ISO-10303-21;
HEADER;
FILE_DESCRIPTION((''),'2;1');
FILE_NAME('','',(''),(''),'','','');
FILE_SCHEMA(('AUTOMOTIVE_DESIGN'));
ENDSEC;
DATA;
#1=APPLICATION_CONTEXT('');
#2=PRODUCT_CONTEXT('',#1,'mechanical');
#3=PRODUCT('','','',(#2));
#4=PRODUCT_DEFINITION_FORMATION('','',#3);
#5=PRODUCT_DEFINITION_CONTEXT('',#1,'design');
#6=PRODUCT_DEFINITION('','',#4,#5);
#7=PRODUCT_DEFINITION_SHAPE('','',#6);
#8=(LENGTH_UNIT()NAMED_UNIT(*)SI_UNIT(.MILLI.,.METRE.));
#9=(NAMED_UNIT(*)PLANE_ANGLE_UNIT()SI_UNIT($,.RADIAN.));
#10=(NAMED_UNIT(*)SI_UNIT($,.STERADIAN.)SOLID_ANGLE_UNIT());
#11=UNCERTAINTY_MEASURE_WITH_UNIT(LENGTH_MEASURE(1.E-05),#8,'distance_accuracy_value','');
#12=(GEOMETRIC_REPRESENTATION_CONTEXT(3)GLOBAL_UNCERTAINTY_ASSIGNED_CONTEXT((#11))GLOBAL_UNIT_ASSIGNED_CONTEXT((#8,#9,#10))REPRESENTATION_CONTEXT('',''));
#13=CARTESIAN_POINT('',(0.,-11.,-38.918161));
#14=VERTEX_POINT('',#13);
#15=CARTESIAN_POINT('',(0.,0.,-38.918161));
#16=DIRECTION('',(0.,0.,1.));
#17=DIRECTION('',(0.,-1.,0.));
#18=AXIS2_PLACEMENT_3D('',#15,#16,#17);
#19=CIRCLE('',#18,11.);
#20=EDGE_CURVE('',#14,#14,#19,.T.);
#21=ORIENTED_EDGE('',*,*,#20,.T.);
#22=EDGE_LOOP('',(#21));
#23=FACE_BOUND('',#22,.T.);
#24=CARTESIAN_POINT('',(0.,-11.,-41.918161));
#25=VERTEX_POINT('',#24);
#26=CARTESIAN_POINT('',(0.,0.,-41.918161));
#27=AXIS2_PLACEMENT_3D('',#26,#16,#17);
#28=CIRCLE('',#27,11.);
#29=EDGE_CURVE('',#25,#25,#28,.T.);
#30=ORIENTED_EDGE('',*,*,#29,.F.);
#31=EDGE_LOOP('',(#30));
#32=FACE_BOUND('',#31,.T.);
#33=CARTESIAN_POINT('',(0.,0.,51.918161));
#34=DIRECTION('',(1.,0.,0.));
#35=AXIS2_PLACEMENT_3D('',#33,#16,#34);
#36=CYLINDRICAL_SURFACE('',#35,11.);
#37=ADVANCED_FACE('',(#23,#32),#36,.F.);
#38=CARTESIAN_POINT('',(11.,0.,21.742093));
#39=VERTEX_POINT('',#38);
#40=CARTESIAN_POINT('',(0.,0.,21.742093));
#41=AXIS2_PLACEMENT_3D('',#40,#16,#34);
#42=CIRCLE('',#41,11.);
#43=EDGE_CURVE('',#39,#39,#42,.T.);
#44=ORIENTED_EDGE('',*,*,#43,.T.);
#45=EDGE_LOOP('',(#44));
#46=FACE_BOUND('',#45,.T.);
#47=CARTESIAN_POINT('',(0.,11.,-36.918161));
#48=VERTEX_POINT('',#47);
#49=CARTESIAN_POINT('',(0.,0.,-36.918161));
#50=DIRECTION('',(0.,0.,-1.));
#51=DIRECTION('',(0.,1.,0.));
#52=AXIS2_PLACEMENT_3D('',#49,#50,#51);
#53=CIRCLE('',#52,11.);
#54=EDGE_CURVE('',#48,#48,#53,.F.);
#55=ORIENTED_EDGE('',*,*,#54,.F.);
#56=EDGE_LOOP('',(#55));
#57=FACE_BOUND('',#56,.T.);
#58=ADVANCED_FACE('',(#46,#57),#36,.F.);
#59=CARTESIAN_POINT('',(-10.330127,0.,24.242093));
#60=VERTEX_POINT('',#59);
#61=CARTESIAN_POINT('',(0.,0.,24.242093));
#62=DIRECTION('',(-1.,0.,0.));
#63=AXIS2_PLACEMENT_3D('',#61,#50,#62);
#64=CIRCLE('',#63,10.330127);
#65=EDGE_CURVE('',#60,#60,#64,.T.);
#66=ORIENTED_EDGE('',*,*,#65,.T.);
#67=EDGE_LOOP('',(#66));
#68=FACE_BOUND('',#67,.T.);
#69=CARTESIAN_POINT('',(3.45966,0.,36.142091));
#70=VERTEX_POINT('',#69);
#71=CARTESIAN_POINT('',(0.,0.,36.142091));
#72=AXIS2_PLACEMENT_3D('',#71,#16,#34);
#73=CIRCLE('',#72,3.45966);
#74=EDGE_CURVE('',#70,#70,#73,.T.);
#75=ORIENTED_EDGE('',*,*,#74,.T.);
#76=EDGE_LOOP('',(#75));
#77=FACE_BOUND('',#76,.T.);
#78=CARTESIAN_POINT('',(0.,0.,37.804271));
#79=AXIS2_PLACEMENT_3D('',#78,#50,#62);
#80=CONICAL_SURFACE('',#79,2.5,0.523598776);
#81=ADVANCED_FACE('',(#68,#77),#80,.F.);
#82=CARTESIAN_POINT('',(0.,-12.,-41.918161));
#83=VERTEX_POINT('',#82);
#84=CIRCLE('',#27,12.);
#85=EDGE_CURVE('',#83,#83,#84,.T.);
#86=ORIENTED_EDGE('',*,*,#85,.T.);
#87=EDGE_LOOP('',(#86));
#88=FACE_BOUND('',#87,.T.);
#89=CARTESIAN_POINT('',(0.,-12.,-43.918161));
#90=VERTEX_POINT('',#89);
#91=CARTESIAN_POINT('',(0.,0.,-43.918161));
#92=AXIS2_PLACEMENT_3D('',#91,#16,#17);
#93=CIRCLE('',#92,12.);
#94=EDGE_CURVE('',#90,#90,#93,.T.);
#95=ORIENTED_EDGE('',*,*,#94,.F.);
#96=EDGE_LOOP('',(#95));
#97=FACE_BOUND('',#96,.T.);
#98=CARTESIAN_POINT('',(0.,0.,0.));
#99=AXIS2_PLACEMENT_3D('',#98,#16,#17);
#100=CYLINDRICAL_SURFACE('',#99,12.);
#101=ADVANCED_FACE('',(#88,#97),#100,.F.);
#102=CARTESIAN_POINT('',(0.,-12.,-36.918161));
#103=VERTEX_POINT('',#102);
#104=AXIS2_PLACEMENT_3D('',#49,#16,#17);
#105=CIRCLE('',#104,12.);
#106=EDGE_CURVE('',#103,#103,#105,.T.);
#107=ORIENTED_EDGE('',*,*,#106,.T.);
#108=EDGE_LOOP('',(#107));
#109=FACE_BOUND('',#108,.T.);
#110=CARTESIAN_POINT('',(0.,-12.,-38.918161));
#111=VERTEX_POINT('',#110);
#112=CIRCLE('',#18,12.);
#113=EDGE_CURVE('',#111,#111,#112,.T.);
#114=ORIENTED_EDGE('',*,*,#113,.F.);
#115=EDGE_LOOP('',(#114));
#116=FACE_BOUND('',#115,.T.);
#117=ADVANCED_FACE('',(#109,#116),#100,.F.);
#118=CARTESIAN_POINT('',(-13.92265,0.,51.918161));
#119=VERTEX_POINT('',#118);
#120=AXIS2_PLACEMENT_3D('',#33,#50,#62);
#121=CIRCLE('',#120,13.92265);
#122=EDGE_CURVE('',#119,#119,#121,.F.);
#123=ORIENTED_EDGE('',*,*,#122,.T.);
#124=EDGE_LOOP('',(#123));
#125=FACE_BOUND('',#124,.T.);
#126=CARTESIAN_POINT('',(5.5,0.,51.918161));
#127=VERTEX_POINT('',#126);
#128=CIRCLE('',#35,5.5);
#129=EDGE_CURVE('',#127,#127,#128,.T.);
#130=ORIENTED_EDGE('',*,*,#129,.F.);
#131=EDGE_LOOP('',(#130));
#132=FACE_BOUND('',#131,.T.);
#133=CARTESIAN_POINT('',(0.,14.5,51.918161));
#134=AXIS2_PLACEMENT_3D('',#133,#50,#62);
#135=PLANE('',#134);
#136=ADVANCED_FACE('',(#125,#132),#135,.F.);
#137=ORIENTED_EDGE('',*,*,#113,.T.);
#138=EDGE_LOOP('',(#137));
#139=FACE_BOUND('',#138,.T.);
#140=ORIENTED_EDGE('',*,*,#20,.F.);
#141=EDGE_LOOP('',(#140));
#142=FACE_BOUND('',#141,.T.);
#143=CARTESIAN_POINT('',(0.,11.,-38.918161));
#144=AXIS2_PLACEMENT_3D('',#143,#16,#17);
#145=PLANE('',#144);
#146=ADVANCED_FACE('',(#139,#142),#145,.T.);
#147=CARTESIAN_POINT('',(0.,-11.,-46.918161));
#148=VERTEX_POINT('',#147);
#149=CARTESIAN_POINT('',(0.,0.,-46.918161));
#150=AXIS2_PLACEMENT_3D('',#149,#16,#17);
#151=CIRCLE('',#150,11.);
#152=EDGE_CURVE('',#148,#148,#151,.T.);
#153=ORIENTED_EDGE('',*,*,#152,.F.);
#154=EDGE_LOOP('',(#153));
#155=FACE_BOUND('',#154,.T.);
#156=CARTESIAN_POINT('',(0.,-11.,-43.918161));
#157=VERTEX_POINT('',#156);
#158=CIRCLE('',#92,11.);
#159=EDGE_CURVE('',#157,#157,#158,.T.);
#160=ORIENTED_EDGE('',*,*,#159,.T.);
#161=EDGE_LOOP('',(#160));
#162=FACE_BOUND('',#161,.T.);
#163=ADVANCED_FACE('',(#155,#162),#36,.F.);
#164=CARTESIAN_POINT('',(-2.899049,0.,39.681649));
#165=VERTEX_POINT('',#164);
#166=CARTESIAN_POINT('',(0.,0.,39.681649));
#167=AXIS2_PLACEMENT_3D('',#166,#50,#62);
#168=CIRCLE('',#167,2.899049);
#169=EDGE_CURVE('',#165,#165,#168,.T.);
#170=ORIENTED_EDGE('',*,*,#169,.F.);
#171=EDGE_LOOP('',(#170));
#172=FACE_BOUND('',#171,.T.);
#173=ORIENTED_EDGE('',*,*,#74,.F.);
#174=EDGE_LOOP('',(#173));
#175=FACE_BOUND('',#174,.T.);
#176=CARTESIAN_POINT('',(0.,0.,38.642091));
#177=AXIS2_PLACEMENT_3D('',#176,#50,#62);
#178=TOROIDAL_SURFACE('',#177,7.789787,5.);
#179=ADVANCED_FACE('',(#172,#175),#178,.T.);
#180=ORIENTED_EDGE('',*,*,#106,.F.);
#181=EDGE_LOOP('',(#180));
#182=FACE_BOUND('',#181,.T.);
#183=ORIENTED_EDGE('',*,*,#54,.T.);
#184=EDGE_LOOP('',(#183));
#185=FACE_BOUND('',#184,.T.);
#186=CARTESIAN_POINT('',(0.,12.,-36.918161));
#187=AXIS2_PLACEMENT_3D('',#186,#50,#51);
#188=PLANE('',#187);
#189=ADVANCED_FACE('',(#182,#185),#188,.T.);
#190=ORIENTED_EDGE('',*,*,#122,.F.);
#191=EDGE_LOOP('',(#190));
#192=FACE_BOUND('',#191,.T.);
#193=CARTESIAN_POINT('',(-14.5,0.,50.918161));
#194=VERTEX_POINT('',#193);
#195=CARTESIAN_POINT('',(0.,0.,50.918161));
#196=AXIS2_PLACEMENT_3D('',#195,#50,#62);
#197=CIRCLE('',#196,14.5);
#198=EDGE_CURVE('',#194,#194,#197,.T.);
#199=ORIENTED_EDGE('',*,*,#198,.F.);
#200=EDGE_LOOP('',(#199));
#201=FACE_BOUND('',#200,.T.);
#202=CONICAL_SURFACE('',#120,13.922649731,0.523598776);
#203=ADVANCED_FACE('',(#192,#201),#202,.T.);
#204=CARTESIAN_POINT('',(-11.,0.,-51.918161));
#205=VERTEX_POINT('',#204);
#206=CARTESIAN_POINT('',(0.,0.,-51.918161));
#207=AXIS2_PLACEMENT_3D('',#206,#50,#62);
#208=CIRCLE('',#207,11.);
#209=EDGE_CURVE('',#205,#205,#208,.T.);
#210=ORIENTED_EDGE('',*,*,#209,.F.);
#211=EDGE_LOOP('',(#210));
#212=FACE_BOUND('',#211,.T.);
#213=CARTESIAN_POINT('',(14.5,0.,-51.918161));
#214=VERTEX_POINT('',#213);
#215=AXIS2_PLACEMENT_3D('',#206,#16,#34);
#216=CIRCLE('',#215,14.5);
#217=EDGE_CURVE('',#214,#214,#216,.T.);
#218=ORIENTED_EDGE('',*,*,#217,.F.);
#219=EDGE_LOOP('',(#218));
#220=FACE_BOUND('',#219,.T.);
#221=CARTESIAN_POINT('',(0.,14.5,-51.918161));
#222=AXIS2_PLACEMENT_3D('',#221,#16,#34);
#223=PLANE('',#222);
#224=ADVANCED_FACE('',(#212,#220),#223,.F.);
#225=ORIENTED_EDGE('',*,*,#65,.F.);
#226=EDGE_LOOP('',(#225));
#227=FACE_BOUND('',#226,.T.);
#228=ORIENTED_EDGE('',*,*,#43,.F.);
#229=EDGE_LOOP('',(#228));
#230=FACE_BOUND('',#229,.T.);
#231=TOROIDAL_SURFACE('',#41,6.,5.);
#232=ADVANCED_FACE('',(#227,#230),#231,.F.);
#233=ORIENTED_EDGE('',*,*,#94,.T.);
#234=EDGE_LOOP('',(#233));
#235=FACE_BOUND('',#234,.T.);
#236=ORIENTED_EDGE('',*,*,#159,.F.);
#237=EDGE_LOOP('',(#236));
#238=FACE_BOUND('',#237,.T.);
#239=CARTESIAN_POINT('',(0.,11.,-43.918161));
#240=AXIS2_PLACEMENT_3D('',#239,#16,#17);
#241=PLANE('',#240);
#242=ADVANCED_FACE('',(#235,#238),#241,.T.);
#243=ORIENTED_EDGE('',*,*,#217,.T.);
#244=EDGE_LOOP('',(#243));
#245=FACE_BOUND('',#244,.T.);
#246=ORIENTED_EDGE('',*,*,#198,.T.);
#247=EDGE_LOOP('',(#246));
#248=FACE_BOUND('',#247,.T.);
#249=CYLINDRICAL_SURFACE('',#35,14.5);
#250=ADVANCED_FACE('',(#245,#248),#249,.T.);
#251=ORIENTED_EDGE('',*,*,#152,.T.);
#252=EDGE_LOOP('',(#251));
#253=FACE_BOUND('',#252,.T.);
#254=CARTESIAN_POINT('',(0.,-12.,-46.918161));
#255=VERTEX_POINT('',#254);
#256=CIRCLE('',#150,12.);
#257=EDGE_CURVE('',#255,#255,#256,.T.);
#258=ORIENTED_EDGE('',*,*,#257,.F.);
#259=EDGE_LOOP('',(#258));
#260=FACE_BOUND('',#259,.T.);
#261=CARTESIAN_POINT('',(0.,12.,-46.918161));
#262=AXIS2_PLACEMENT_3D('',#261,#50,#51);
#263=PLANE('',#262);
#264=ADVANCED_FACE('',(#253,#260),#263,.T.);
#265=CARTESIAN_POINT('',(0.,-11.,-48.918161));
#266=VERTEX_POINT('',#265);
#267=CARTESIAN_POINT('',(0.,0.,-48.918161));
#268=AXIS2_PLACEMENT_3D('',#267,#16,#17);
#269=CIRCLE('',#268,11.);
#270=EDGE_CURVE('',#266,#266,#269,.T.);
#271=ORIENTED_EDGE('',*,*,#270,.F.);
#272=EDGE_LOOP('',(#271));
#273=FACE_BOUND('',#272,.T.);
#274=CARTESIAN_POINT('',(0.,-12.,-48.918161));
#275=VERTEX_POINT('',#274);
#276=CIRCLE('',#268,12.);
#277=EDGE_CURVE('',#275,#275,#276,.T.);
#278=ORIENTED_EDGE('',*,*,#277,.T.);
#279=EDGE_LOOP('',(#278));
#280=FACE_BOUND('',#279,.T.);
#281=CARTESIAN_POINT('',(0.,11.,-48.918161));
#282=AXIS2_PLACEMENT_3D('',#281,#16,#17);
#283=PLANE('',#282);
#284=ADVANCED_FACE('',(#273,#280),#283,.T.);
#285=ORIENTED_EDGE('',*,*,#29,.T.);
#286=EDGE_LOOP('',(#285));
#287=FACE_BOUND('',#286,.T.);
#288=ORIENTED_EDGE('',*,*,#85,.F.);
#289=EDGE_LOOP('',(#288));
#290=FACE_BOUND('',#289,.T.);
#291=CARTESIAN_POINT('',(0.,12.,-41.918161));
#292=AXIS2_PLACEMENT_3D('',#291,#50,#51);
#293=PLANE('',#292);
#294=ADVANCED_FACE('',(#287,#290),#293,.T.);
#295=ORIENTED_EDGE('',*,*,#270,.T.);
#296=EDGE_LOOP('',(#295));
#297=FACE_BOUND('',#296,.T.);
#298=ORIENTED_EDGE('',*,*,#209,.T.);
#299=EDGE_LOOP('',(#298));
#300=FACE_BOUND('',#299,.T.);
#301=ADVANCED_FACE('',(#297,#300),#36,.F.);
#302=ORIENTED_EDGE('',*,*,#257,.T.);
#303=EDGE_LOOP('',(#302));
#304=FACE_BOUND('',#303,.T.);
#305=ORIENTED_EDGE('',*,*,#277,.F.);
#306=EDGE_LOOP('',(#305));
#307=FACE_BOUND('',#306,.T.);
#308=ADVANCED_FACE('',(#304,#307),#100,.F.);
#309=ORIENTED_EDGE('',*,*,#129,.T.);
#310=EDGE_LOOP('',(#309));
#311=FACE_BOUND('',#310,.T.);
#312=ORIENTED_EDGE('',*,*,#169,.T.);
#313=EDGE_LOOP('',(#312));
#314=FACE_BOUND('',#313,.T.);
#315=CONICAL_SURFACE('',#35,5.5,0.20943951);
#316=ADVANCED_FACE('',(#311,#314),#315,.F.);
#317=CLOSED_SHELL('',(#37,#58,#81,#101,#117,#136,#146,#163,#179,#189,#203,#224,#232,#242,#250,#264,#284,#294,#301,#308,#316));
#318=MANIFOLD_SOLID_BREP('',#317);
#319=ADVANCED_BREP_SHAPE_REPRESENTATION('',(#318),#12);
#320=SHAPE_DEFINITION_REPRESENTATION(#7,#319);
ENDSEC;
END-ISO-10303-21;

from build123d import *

# Parameters (mm, degrees)
ESQUISSE2_R             = 11
ENL_V_MAT_EXTRU_1_DEPTH = 15
CONG_1_R                = 5
CHANFREIN1_SIZE         = 1
CHANFREIN1_SIZE2        = 0.577350269


with BuildPart() as part:
    # Esquisse1 → Révolution1 (revolve)
    with BuildSketch(Plane(origin=(0, 0, 0), x_dir=(0, 0, -1), z_dir=(1, 0, 0))):
        Polygon((36.918161096, 11), (36.918161096, 9), (51.918161096, 9), (51.918161096, 14.5), (-51.918161096, 14.5), (-51.918161096, 5.5), (-37.804270768, 2.5), (-23.081838904, 11), align=None)
    revolve(axis=Axis((0, 0, 51.918161096), (0, 0, -1)))

    # Esquisse2 → Enlèv. mat.-Extru.1 (cut)
    with BuildSketch(Plane(origin=(0, 0, -51.918161096), x_dir=(-1, 0, 0), z_dir=(0, 0, -1))):
        Circle(ESQUISSE2_R)
    extrude(amount=-ENL_V_MAT_EXTRU_1_DEPTH, mode=Mode.SUBTRACT)

    # Esquisse3 → Enlèvement de matière-Révolution1 (revolve, cut)
    with BuildSketch(Plane(origin=(0, 0, 0), x_dir=(0, 0, -1), z_dir=(1, 0, 0))):
        Polygon((48.918161096, 11), (48.918161096, 12), (46.918161096, 12), (46.918161096, 11), (43.918161096, 11), (43.918161096, 12), (41.918161096, 12), (41.918161096, 11), (38.918161096, 11), (38.918161096, 12), (36.918161096, 12), (36.918161096, 11), (36.918161096, 0), (51.918161096, 0), (51.918161096, 11), align=None)
    revolve(axis=Axis((0, 0, 0), (0, 0, -1)), mode=Mode.SUBTRACT)

    # Congé1
    cong_1_edges = [part.edges().sort_by_distance(p)[0] for p in [
        (0, -11, 23.081838904),
        (0, -2.5, 37.804270768),
    ]]
    fillet(cong_1_edges, radius=CONG_1_R)

    # Chanfrein1
    chanfrein1_edges = [part.edges().sort_by_distance(p)[0] for p in [
        (0, -14.5, 51.918161096),
    ]]
    chanfrein1_side = [part.faces().sort_by_distance(p)[0] for p in [
        (0, -14.5, 0),
    ]]
    chamfer(chanfrein1_edges, length=CHANFREIN1_SIZE, length2=CHANFREIN1_SIZE2, reference=chanfrein1_side[0])


solid = part.part
